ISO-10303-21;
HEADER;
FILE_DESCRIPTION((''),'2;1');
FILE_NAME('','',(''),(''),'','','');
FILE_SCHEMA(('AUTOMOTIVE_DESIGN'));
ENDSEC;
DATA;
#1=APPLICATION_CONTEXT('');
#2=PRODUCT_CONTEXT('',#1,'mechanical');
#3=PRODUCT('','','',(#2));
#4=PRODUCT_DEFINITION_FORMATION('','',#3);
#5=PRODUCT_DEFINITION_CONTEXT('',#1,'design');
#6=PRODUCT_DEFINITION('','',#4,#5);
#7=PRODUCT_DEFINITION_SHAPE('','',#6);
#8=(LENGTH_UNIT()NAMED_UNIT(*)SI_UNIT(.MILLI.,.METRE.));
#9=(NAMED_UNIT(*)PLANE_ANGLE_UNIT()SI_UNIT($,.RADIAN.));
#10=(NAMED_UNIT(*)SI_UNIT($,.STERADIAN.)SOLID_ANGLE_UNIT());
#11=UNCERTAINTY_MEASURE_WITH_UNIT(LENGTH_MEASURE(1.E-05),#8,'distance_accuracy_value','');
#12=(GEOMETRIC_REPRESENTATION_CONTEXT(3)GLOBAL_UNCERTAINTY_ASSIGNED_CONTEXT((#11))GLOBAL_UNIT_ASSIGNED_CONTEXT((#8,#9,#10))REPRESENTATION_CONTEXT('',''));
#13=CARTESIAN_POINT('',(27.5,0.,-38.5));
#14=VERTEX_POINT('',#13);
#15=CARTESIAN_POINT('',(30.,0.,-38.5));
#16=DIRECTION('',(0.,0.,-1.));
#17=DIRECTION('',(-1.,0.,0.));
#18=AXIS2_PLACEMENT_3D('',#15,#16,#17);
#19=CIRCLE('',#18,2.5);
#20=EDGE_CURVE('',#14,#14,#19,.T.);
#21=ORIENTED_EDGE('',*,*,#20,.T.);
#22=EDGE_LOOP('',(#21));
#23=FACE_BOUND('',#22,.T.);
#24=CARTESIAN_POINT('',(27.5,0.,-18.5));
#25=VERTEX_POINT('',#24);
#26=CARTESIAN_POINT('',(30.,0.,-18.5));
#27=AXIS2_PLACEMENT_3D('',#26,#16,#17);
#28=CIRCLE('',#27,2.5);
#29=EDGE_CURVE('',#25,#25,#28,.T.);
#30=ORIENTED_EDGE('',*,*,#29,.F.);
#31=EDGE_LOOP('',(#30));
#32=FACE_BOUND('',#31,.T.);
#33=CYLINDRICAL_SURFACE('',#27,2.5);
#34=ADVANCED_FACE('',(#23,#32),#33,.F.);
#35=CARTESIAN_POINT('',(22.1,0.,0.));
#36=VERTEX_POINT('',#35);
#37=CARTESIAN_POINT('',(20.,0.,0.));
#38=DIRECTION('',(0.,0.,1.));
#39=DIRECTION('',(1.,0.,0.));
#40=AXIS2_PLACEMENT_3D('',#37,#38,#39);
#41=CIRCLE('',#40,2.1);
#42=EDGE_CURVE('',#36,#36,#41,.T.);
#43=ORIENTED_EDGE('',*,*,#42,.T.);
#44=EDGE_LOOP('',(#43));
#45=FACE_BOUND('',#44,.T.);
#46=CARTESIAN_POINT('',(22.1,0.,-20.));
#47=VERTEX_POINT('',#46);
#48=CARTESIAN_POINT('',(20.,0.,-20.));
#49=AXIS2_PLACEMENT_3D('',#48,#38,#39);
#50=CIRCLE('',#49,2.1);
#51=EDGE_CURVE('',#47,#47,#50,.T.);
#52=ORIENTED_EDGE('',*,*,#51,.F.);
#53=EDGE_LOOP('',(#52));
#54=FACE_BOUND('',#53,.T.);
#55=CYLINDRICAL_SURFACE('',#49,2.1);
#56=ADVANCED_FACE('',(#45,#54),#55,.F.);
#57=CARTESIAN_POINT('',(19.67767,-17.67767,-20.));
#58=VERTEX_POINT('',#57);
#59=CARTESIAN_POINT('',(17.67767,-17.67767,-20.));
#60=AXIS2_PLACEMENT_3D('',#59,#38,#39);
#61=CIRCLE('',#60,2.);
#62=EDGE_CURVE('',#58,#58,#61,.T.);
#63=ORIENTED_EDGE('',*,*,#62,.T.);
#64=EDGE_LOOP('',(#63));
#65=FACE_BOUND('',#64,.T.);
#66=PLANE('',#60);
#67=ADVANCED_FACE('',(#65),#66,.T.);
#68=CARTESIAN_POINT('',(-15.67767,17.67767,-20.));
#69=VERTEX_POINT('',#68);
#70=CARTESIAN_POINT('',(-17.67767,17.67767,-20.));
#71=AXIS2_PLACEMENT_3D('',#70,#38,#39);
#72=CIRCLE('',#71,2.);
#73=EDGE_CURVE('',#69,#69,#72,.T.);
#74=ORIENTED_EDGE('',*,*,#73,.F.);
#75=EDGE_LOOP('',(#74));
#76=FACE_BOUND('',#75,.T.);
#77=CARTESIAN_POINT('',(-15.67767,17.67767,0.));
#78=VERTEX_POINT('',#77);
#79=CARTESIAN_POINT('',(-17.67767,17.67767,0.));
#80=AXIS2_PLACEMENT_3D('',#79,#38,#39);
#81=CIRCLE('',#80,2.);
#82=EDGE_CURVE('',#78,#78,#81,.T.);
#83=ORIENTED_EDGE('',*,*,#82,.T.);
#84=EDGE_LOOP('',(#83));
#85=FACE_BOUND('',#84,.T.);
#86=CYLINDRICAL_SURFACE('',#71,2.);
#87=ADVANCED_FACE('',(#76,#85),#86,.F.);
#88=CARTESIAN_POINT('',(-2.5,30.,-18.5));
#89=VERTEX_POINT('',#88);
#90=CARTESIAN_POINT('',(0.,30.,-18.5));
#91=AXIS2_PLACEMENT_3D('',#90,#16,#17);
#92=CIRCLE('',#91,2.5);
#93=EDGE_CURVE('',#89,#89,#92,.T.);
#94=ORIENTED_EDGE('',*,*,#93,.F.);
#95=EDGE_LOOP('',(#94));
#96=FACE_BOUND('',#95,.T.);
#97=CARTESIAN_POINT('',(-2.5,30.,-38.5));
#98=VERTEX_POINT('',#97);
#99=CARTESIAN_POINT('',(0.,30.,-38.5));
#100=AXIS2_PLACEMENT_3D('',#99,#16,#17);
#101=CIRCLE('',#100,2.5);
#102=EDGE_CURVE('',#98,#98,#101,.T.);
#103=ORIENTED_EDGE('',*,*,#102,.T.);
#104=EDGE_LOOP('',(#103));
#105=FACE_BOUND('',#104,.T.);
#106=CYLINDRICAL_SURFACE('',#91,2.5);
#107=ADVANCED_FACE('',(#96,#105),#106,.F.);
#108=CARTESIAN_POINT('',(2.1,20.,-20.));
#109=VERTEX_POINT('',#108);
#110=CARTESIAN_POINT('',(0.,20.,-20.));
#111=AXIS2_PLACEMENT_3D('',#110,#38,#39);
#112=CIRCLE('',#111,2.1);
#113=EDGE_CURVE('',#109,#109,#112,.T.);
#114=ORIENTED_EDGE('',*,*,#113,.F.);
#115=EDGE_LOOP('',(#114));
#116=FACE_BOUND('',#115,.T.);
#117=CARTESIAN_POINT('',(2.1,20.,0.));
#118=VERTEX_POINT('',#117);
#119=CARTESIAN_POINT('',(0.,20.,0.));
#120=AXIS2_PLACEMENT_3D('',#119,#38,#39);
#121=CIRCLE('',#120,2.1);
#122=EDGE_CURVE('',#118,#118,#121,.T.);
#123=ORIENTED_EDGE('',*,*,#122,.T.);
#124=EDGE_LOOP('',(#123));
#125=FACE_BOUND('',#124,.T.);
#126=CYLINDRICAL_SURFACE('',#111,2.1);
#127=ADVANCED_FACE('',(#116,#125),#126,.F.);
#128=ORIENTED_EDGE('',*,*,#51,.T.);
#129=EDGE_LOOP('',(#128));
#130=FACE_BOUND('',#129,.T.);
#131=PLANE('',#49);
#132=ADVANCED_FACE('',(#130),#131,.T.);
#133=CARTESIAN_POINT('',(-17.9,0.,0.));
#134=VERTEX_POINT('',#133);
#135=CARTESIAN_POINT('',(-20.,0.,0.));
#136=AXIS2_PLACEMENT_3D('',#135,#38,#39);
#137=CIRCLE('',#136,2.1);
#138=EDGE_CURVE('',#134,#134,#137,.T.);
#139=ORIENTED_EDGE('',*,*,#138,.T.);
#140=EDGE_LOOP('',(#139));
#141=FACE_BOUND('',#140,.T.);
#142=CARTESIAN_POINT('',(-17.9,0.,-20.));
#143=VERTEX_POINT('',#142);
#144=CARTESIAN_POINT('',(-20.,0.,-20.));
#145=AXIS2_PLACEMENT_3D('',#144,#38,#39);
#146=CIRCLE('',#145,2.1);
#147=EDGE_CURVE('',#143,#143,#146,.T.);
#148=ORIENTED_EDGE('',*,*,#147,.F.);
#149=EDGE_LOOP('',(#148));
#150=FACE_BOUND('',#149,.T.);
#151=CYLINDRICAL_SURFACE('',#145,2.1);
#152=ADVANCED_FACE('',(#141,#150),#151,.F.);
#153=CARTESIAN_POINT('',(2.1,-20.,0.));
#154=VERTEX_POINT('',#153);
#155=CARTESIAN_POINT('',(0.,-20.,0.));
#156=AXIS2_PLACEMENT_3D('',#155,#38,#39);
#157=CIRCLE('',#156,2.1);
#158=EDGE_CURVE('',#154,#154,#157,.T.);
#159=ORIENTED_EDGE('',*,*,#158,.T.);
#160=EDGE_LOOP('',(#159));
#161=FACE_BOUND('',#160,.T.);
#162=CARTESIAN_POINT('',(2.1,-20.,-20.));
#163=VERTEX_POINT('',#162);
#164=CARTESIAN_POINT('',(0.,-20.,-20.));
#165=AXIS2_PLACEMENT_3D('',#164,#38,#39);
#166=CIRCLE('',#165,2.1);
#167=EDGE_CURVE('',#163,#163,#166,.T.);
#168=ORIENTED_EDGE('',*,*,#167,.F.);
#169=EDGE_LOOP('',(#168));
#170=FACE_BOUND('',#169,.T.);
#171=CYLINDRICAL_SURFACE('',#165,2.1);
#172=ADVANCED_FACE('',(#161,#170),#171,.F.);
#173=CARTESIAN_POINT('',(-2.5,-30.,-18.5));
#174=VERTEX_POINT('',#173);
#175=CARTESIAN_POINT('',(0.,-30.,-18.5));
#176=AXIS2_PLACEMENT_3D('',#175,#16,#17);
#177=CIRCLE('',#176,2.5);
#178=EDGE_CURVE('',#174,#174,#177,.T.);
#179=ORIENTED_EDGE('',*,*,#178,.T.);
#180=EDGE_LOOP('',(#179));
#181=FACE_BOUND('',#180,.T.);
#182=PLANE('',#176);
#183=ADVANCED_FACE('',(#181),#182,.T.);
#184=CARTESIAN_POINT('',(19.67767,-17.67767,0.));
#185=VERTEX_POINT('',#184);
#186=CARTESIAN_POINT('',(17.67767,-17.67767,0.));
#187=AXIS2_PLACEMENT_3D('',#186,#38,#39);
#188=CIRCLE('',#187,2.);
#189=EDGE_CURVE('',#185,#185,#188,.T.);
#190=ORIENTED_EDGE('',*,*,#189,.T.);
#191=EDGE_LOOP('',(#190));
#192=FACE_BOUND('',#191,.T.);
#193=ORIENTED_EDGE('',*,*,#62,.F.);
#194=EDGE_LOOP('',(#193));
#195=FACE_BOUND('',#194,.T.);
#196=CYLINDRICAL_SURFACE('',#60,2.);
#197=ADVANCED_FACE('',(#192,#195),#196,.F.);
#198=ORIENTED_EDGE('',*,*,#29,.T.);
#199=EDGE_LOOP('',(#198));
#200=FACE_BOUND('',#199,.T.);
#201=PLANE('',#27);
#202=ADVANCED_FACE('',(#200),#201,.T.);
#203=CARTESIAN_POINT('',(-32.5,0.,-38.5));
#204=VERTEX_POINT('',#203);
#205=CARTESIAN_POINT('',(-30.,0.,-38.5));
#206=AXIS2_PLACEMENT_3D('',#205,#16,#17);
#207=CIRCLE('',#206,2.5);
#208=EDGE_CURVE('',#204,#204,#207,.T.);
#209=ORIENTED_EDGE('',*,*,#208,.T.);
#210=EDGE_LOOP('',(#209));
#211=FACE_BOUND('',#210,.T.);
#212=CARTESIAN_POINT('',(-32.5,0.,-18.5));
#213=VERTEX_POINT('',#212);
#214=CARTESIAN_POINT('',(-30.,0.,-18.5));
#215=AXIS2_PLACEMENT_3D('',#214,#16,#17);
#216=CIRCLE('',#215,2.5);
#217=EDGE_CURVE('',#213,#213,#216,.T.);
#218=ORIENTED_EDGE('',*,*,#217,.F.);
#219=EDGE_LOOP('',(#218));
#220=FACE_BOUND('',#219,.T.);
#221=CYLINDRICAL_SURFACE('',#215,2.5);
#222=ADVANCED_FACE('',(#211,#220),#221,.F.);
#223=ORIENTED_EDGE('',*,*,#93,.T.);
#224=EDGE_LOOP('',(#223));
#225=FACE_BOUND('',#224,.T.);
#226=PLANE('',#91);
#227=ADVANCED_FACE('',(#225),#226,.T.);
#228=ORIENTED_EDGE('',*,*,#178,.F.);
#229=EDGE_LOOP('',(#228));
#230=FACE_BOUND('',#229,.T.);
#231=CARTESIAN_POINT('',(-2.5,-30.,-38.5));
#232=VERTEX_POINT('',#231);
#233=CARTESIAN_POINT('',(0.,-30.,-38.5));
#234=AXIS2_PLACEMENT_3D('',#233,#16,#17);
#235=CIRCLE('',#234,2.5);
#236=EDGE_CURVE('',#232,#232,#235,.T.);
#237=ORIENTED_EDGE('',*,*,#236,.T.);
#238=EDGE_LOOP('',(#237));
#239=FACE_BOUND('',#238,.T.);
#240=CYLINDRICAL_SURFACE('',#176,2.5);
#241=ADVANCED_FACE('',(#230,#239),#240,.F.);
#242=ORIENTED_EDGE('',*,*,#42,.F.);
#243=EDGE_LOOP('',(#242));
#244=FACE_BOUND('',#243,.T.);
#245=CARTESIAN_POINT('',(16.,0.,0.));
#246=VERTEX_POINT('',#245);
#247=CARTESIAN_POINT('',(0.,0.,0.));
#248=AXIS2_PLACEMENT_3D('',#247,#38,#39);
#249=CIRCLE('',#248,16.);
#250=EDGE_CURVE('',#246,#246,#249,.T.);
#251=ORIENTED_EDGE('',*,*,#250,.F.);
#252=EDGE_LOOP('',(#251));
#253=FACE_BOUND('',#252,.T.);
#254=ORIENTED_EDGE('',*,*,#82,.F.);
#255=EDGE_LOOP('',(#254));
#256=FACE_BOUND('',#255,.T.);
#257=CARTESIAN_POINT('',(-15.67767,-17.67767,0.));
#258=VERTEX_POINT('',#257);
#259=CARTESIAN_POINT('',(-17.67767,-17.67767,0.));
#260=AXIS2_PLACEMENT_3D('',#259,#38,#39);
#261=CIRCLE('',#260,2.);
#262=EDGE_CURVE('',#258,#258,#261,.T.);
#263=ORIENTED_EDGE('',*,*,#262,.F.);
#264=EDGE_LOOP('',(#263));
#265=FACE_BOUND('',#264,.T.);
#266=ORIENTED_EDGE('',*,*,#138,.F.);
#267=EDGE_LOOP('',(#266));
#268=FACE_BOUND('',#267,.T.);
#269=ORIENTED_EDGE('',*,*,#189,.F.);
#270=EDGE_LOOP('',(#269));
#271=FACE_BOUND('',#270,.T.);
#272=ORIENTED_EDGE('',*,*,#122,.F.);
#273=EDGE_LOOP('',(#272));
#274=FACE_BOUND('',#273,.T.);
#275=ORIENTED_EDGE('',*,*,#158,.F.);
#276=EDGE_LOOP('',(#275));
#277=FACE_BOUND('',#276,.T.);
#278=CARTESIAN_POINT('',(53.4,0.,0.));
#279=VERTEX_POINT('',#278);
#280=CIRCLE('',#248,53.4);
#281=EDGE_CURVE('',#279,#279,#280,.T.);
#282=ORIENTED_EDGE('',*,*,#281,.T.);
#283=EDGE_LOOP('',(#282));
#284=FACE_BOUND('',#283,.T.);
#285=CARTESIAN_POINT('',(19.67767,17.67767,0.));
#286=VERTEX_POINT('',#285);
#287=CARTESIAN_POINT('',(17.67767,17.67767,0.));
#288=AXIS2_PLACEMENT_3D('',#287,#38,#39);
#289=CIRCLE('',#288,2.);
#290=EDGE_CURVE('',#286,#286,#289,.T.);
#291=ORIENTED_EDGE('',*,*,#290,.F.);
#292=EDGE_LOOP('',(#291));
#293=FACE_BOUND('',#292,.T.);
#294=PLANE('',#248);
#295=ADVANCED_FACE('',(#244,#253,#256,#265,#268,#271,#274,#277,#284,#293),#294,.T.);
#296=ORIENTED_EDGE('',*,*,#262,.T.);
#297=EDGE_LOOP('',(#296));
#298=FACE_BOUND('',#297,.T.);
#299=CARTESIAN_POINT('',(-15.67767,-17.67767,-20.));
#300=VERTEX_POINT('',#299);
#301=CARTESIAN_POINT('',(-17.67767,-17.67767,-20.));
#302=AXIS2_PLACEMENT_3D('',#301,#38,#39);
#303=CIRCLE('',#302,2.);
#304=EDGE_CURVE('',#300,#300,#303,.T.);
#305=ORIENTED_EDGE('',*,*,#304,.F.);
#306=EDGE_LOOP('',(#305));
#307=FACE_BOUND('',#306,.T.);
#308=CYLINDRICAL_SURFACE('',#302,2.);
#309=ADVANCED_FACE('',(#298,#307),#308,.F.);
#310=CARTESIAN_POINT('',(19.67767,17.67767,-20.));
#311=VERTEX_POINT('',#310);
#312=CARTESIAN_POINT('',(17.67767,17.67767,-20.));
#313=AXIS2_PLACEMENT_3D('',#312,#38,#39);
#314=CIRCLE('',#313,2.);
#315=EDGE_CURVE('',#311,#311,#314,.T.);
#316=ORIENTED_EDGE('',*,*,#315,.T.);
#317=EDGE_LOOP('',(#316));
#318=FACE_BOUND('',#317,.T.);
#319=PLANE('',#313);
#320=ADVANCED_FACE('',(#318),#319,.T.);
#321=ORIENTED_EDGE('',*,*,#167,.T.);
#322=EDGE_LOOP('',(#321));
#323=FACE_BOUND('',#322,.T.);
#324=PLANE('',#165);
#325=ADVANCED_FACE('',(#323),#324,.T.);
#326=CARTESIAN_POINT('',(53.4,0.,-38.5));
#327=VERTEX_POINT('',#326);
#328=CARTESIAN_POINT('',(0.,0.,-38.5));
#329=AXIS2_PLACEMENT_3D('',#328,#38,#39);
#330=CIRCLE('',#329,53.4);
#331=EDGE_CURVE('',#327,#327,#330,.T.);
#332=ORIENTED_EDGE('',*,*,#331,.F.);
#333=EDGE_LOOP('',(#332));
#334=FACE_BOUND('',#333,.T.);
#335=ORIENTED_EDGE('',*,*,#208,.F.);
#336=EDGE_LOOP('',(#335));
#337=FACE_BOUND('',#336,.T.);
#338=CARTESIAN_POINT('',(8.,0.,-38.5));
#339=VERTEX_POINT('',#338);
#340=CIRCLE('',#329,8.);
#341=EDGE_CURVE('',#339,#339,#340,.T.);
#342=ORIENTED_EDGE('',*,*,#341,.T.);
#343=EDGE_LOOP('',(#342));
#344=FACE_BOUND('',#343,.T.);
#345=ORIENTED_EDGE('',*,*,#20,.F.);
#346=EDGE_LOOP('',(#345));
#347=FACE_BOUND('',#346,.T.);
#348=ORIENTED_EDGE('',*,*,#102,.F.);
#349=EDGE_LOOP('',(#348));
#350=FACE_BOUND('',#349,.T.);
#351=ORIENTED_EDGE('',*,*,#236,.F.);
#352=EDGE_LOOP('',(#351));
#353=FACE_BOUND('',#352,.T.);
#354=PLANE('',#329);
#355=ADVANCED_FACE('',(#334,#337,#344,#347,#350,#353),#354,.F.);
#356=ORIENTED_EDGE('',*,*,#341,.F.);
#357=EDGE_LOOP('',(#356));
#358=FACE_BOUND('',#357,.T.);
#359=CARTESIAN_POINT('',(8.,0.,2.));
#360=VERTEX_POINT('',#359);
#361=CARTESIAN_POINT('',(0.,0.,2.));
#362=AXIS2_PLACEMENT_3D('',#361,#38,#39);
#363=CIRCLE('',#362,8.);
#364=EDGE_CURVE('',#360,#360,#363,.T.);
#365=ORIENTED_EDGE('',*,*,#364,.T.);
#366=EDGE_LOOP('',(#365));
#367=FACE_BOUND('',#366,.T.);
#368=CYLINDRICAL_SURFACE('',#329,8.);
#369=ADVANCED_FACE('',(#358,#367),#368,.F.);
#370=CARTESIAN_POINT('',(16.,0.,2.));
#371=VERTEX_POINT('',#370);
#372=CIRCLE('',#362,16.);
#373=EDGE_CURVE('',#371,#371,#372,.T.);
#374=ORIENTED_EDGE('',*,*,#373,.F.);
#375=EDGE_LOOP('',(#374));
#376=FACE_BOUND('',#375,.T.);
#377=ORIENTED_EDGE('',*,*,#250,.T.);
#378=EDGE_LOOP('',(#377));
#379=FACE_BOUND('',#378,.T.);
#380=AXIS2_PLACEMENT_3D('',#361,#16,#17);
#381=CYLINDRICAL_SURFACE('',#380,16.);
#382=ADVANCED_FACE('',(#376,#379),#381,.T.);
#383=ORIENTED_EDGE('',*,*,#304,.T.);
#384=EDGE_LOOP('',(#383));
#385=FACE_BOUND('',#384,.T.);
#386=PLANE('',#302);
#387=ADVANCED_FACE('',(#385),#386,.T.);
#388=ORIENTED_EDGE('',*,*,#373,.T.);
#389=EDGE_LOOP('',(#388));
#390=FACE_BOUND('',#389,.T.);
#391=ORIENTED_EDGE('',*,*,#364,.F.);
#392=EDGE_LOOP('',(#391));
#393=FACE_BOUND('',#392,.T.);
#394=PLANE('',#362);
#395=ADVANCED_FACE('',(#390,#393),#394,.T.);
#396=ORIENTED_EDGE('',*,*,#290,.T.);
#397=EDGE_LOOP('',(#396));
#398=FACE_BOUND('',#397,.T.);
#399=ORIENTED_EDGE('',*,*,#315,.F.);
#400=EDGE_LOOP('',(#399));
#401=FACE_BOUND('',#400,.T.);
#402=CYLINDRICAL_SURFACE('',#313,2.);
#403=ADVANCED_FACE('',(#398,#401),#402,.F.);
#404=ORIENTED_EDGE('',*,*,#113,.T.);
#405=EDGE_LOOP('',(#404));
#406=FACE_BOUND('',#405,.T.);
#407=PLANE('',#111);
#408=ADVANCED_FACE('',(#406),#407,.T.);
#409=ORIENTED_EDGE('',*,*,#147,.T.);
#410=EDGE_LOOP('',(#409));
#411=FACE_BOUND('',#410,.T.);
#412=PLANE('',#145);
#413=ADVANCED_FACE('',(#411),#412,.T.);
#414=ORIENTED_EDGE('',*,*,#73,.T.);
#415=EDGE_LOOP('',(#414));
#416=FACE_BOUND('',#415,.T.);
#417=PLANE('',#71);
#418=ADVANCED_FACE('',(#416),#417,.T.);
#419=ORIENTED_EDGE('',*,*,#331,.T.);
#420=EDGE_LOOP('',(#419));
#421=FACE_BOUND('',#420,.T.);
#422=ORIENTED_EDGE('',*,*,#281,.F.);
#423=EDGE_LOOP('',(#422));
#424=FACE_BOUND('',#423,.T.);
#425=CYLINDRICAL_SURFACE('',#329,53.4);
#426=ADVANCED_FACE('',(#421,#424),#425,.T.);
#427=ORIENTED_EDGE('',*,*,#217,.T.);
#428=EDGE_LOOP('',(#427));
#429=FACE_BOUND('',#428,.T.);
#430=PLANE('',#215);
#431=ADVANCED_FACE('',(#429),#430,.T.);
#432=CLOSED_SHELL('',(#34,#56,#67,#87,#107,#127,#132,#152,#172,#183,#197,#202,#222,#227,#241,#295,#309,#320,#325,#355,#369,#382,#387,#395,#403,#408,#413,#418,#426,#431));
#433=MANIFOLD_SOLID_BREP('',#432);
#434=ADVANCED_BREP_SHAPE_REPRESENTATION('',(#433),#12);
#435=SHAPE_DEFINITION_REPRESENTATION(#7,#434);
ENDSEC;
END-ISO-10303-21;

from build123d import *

# Parameters (mm, degrees)
SKETCH3_R           = 53.4
BOSS_EXTRUDE1_DEPTH = 38.5
SKETCH4_R           = 8
CUT_EXTRUDE1_DEPTH  = 85.766561804
SKETCH5_R           = 2
CUT_EXTRUDE2_DEPTH  = 20
BOSS_EXTRUDE3_START = 2
SKETCH6_R           = 16
SKETCH6_R_2         = 8
BOSS_EXTRUDE3_DEPTH = 2
SKETCH7_R           = 2.1
CUT_EXTRUDE3_DEPTH  = 20
SKETCH8_R           = 2.5
CUT_EXTRUDE4_DEPTH  = 20


with BuildPart() as part:
    # Sketch3 → Boss-Extrude1 (new body)
    with BuildSketch(Plane.XY):
        Circle(SKETCH3_R)
    extrude(amount=-BOSS_EXTRUDE1_DEPTH)

    # Sketch4 → Cut-Extrude1 (cut, through all)
    with BuildSketch(Plane.XY):
        Circle(SKETCH4_R)
    extrude(amount=-CUT_EXTRUDE1_DEPTH, mode=Mode.SUBTRACT)

    # Sketch5 → Cut-Extrude2 (cut)
    with BuildSketch(Plane.XY):
        with Locations((-17.67766953, 17.67766953)):
            Circle(SKETCH5_R)
        with Locations((17.67766953, 17.67766953)):
            Circle(SKETCH5_R)
        with Locations((-17.67766953, -17.67766953)):
            Circle(SKETCH5_R)
        with Locations((17.67766953, -17.67766953)):
            Circle(SKETCH5_R)
    extrude(amount=-CUT_EXTRUDE2_DEPTH, mode=Mode.SUBTRACT)

    # Sketch6 → Boss-Extrude3 (add)
    with BuildSketch(Plane.XY.offset(BOSS_EXTRUDE3_START)):
        Circle(SKETCH6_R)
        Circle(SKETCH6_R_2, mode=Mode.SUBTRACT)
    extrude(amount=-BOSS_EXTRUDE3_DEPTH)

    # Sketch7 → Cut-Extrude3 (cut)
    with BuildSketch(Plane.XY):
        with Locations((0, 20)):
            Circle(SKETCH7_R)
        with Locations((20, 0)):
            Circle(SKETCH7_R)
        with Locations((-20, 0)):
            Circle(SKETCH7_R)
        with Locations((0, -20)):
            Circle(SKETCH7_R)
    extrude(amount=-CUT_EXTRUDE3_DEPTH, mode=Mode.SUBTRACT)

    # Sketch8 → Cut-Extrude4 (cut)
    with BuildSketch(Plane(origin=(0, 0, -38.5), x_dir=(-1, 0, 0), z_dir=(0, 0, -1))):
        with Locations((0, 30)):
            Circle(SKETCH8_R)
        with Locations((30, 0)):
            Circle(SKETCH8_R)
        with Locations((0, -30)):
            Circle(SKETCH8_R)
        with Locations((-30, 0)):
            Circle(SKETCH8_R)
    extrude(amount=-CUT_EXTRUDE4_DEPTH, mode=Mode.SUBTRACT)


solid = part.part
